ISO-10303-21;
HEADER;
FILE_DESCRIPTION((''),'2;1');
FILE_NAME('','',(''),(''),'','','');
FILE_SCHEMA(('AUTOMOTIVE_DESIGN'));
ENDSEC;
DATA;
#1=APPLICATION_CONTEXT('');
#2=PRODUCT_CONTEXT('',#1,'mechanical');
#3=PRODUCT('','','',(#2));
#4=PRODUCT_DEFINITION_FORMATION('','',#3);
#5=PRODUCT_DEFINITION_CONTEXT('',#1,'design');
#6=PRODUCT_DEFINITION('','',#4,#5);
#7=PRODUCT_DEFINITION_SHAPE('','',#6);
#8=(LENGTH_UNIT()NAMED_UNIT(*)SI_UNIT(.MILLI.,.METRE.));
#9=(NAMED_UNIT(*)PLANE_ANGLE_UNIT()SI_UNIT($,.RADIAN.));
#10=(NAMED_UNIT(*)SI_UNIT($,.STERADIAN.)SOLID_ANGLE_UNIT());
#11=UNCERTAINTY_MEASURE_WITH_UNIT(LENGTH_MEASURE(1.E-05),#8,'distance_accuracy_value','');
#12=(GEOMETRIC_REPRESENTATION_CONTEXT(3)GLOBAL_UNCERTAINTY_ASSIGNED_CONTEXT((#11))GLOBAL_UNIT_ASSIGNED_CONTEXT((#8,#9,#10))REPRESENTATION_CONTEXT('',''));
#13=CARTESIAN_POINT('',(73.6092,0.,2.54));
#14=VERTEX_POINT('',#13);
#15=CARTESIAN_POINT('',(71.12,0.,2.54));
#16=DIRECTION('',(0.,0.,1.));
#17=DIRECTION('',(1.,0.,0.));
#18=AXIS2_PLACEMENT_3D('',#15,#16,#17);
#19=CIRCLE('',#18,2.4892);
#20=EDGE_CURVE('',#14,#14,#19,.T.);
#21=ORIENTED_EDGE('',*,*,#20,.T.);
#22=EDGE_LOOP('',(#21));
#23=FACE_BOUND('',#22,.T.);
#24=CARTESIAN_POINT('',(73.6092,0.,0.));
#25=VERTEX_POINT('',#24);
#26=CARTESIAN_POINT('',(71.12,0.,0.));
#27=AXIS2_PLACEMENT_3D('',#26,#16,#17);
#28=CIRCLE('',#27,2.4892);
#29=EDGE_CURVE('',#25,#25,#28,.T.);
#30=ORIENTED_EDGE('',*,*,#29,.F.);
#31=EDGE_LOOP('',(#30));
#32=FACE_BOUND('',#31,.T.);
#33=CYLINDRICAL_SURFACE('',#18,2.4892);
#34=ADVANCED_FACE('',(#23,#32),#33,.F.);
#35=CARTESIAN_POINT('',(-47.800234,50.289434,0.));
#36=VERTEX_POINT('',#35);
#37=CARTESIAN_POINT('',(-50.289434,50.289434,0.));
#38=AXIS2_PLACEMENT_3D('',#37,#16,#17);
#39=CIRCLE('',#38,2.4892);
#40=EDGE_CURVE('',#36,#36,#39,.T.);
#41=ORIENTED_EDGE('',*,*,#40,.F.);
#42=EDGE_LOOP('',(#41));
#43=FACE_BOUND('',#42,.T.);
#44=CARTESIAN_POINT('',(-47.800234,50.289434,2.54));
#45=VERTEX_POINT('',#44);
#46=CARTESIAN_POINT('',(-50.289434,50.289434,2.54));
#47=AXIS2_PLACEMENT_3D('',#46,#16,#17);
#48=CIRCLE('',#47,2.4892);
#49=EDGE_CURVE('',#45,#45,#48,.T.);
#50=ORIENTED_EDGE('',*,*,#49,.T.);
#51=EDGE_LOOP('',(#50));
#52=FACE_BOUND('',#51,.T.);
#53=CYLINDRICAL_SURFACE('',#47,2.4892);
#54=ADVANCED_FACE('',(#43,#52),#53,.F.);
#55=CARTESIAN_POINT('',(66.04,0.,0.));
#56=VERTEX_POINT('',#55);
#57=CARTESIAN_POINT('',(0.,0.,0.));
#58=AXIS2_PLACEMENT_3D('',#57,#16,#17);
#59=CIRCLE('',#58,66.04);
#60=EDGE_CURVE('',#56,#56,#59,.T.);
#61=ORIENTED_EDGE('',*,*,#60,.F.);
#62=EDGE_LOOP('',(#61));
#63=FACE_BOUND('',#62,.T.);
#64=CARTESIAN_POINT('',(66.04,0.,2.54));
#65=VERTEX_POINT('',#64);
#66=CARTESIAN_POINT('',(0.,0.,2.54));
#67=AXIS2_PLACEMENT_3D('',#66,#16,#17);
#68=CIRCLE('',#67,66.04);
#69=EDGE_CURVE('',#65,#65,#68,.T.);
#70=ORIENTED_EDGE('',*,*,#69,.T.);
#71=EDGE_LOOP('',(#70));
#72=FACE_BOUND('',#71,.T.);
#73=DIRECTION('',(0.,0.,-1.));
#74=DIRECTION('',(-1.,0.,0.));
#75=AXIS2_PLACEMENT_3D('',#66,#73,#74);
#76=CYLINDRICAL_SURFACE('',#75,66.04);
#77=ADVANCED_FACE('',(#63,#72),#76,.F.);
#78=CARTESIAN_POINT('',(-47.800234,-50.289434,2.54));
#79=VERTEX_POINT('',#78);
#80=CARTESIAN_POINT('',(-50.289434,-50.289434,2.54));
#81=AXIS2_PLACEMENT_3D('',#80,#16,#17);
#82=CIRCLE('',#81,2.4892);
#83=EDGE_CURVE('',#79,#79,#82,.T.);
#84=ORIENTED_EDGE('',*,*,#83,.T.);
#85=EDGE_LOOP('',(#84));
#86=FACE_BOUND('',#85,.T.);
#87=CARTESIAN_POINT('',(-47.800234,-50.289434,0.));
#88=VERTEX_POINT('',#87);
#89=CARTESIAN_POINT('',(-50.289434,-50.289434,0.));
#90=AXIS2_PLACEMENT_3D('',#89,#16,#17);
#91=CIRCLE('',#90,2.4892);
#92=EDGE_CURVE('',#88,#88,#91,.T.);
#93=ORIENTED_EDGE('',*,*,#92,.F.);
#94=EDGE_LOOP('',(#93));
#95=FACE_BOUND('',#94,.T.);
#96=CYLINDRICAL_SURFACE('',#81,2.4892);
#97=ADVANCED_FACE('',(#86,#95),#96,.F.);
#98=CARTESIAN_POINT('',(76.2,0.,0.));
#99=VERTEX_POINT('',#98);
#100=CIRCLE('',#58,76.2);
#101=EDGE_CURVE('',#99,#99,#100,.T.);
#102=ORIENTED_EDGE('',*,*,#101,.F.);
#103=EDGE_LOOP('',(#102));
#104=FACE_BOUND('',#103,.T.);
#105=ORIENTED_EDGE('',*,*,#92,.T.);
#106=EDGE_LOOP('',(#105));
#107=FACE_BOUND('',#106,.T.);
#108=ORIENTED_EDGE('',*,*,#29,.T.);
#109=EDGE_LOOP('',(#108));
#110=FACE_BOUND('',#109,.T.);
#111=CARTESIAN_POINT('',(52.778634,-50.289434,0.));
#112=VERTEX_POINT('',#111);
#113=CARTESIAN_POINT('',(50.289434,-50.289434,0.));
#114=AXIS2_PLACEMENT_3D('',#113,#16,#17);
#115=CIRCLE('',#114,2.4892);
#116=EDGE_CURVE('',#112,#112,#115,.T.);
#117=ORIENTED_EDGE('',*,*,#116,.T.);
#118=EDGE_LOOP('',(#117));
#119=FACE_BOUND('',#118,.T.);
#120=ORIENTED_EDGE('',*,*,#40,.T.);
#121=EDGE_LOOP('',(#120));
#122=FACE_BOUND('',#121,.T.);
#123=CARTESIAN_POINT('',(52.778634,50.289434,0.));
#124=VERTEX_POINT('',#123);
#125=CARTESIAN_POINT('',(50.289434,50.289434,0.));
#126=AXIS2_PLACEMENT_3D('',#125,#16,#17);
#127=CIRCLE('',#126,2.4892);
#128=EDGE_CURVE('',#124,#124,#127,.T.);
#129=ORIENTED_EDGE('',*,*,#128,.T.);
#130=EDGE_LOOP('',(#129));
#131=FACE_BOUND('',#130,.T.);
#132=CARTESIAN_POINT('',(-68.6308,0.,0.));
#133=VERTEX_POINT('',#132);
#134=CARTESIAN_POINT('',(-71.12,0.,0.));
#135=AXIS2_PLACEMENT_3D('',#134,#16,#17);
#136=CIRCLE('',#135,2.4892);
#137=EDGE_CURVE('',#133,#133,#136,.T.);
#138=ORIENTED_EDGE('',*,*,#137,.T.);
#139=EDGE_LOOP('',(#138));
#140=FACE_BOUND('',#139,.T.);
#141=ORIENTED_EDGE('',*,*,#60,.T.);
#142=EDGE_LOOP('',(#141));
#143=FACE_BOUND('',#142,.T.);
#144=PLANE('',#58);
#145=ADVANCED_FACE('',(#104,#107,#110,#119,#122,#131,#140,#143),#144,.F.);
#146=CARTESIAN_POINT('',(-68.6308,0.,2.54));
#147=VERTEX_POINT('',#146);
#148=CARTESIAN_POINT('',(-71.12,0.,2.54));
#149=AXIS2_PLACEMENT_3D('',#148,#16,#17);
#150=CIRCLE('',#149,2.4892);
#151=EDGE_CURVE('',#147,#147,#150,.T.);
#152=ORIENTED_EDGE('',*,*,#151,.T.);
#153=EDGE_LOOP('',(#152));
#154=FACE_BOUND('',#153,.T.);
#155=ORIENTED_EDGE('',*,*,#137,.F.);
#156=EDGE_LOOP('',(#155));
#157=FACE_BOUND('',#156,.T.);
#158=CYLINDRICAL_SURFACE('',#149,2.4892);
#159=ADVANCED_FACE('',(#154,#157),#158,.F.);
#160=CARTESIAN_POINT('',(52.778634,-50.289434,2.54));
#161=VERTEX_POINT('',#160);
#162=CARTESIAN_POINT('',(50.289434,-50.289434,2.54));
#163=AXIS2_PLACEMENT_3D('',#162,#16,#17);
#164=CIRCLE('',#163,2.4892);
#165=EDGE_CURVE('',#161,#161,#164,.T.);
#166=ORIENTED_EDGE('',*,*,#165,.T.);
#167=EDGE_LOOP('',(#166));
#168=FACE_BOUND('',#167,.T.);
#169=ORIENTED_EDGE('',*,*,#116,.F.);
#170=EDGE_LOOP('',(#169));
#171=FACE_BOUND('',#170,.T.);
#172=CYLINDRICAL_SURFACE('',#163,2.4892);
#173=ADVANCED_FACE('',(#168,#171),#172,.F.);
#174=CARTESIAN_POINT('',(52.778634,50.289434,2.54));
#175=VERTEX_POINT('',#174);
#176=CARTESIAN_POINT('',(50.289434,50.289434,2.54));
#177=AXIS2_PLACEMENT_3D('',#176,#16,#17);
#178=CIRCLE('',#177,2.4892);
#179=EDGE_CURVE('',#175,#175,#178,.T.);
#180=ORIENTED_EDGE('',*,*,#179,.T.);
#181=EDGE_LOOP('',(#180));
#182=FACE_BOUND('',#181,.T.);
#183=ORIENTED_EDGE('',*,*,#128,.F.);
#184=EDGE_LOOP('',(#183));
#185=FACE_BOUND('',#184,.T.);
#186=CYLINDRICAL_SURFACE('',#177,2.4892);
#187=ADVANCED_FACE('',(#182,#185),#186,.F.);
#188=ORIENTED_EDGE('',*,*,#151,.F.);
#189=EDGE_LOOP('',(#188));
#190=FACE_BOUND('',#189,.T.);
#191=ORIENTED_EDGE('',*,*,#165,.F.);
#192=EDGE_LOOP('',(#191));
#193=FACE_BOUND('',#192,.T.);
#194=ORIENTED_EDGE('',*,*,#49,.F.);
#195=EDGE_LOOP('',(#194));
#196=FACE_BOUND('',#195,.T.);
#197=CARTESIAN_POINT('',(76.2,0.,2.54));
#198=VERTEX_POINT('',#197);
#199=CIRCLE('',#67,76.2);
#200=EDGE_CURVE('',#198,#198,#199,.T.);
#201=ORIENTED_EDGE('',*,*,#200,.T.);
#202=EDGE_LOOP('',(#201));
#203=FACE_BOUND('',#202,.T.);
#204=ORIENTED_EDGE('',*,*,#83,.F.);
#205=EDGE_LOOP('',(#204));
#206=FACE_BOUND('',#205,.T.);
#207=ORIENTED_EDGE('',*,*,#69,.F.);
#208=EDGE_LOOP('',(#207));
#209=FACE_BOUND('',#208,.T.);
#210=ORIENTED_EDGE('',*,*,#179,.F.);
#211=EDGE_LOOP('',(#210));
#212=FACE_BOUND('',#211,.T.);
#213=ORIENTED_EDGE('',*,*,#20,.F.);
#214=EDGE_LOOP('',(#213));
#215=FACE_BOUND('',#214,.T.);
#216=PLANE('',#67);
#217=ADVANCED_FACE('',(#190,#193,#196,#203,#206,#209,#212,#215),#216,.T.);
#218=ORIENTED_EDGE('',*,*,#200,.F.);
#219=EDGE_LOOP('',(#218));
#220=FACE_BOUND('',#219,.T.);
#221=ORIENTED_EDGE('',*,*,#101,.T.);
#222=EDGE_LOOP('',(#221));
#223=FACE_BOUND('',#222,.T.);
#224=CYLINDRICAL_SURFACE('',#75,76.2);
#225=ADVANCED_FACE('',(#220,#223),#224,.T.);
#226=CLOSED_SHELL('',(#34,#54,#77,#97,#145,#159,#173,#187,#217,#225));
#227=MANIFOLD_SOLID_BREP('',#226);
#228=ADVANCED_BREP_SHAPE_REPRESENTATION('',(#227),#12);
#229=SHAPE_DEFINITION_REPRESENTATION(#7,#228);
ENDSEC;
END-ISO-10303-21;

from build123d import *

# Parameters (mm, degrees)
SKETCH1_R                  = 76.2
SKETCH1_R_2                = 66.04
BOSS_EXTRUDE1_DEPTH        = 2.54
F_10_CLEARANCE_HOLE1_D     = 4.9784
F_10_CLEARANCE_HOLE1_DEPTH = 38.354
F_10_CLEARANCE_HOLE1_TIP   = 1.495662253


with BuildPart() as part:
    # Sketch1 → Boss-Extrude1 (new body)
    with BuildSketch(Plane.XY):
        Circle(SKETCH1_R)
        Circle(SKETCH1_R_2, mode=Mode.SUBTRACT)
    extrude(amount=BOSS_EXTRUDE1_DEPTH)

    # #10 Clearance Hole1
    with Locations(Plane.XY.offset(2.54)):
        with Locations((-50.289434278, 50.289434278), (-71.12, 0), (-50.289434278, -50.289434278), (50.289434278, -50.289434278), (71.12, 0), (50.289434278, 50.289434278)):
            Hole(F_10_CLEARANCE_HOLE1_D / 2, depth=F_10_CLEARANCE_HOLE1_DEPTH)
            with Locations((0, 0, -(F_10_CLEARANCE_HOLE1_DEPTH + F_10_CLEARANCE_HOLE1_TIP / 2))):  # 118° drill point
                Cone(0, F_10_CLEARANCE_HOLE1_D / 2, F_10_CLEARANCE_HOLE1_TIP, mode=Mode.SUBTRACT)


solid = part.part
